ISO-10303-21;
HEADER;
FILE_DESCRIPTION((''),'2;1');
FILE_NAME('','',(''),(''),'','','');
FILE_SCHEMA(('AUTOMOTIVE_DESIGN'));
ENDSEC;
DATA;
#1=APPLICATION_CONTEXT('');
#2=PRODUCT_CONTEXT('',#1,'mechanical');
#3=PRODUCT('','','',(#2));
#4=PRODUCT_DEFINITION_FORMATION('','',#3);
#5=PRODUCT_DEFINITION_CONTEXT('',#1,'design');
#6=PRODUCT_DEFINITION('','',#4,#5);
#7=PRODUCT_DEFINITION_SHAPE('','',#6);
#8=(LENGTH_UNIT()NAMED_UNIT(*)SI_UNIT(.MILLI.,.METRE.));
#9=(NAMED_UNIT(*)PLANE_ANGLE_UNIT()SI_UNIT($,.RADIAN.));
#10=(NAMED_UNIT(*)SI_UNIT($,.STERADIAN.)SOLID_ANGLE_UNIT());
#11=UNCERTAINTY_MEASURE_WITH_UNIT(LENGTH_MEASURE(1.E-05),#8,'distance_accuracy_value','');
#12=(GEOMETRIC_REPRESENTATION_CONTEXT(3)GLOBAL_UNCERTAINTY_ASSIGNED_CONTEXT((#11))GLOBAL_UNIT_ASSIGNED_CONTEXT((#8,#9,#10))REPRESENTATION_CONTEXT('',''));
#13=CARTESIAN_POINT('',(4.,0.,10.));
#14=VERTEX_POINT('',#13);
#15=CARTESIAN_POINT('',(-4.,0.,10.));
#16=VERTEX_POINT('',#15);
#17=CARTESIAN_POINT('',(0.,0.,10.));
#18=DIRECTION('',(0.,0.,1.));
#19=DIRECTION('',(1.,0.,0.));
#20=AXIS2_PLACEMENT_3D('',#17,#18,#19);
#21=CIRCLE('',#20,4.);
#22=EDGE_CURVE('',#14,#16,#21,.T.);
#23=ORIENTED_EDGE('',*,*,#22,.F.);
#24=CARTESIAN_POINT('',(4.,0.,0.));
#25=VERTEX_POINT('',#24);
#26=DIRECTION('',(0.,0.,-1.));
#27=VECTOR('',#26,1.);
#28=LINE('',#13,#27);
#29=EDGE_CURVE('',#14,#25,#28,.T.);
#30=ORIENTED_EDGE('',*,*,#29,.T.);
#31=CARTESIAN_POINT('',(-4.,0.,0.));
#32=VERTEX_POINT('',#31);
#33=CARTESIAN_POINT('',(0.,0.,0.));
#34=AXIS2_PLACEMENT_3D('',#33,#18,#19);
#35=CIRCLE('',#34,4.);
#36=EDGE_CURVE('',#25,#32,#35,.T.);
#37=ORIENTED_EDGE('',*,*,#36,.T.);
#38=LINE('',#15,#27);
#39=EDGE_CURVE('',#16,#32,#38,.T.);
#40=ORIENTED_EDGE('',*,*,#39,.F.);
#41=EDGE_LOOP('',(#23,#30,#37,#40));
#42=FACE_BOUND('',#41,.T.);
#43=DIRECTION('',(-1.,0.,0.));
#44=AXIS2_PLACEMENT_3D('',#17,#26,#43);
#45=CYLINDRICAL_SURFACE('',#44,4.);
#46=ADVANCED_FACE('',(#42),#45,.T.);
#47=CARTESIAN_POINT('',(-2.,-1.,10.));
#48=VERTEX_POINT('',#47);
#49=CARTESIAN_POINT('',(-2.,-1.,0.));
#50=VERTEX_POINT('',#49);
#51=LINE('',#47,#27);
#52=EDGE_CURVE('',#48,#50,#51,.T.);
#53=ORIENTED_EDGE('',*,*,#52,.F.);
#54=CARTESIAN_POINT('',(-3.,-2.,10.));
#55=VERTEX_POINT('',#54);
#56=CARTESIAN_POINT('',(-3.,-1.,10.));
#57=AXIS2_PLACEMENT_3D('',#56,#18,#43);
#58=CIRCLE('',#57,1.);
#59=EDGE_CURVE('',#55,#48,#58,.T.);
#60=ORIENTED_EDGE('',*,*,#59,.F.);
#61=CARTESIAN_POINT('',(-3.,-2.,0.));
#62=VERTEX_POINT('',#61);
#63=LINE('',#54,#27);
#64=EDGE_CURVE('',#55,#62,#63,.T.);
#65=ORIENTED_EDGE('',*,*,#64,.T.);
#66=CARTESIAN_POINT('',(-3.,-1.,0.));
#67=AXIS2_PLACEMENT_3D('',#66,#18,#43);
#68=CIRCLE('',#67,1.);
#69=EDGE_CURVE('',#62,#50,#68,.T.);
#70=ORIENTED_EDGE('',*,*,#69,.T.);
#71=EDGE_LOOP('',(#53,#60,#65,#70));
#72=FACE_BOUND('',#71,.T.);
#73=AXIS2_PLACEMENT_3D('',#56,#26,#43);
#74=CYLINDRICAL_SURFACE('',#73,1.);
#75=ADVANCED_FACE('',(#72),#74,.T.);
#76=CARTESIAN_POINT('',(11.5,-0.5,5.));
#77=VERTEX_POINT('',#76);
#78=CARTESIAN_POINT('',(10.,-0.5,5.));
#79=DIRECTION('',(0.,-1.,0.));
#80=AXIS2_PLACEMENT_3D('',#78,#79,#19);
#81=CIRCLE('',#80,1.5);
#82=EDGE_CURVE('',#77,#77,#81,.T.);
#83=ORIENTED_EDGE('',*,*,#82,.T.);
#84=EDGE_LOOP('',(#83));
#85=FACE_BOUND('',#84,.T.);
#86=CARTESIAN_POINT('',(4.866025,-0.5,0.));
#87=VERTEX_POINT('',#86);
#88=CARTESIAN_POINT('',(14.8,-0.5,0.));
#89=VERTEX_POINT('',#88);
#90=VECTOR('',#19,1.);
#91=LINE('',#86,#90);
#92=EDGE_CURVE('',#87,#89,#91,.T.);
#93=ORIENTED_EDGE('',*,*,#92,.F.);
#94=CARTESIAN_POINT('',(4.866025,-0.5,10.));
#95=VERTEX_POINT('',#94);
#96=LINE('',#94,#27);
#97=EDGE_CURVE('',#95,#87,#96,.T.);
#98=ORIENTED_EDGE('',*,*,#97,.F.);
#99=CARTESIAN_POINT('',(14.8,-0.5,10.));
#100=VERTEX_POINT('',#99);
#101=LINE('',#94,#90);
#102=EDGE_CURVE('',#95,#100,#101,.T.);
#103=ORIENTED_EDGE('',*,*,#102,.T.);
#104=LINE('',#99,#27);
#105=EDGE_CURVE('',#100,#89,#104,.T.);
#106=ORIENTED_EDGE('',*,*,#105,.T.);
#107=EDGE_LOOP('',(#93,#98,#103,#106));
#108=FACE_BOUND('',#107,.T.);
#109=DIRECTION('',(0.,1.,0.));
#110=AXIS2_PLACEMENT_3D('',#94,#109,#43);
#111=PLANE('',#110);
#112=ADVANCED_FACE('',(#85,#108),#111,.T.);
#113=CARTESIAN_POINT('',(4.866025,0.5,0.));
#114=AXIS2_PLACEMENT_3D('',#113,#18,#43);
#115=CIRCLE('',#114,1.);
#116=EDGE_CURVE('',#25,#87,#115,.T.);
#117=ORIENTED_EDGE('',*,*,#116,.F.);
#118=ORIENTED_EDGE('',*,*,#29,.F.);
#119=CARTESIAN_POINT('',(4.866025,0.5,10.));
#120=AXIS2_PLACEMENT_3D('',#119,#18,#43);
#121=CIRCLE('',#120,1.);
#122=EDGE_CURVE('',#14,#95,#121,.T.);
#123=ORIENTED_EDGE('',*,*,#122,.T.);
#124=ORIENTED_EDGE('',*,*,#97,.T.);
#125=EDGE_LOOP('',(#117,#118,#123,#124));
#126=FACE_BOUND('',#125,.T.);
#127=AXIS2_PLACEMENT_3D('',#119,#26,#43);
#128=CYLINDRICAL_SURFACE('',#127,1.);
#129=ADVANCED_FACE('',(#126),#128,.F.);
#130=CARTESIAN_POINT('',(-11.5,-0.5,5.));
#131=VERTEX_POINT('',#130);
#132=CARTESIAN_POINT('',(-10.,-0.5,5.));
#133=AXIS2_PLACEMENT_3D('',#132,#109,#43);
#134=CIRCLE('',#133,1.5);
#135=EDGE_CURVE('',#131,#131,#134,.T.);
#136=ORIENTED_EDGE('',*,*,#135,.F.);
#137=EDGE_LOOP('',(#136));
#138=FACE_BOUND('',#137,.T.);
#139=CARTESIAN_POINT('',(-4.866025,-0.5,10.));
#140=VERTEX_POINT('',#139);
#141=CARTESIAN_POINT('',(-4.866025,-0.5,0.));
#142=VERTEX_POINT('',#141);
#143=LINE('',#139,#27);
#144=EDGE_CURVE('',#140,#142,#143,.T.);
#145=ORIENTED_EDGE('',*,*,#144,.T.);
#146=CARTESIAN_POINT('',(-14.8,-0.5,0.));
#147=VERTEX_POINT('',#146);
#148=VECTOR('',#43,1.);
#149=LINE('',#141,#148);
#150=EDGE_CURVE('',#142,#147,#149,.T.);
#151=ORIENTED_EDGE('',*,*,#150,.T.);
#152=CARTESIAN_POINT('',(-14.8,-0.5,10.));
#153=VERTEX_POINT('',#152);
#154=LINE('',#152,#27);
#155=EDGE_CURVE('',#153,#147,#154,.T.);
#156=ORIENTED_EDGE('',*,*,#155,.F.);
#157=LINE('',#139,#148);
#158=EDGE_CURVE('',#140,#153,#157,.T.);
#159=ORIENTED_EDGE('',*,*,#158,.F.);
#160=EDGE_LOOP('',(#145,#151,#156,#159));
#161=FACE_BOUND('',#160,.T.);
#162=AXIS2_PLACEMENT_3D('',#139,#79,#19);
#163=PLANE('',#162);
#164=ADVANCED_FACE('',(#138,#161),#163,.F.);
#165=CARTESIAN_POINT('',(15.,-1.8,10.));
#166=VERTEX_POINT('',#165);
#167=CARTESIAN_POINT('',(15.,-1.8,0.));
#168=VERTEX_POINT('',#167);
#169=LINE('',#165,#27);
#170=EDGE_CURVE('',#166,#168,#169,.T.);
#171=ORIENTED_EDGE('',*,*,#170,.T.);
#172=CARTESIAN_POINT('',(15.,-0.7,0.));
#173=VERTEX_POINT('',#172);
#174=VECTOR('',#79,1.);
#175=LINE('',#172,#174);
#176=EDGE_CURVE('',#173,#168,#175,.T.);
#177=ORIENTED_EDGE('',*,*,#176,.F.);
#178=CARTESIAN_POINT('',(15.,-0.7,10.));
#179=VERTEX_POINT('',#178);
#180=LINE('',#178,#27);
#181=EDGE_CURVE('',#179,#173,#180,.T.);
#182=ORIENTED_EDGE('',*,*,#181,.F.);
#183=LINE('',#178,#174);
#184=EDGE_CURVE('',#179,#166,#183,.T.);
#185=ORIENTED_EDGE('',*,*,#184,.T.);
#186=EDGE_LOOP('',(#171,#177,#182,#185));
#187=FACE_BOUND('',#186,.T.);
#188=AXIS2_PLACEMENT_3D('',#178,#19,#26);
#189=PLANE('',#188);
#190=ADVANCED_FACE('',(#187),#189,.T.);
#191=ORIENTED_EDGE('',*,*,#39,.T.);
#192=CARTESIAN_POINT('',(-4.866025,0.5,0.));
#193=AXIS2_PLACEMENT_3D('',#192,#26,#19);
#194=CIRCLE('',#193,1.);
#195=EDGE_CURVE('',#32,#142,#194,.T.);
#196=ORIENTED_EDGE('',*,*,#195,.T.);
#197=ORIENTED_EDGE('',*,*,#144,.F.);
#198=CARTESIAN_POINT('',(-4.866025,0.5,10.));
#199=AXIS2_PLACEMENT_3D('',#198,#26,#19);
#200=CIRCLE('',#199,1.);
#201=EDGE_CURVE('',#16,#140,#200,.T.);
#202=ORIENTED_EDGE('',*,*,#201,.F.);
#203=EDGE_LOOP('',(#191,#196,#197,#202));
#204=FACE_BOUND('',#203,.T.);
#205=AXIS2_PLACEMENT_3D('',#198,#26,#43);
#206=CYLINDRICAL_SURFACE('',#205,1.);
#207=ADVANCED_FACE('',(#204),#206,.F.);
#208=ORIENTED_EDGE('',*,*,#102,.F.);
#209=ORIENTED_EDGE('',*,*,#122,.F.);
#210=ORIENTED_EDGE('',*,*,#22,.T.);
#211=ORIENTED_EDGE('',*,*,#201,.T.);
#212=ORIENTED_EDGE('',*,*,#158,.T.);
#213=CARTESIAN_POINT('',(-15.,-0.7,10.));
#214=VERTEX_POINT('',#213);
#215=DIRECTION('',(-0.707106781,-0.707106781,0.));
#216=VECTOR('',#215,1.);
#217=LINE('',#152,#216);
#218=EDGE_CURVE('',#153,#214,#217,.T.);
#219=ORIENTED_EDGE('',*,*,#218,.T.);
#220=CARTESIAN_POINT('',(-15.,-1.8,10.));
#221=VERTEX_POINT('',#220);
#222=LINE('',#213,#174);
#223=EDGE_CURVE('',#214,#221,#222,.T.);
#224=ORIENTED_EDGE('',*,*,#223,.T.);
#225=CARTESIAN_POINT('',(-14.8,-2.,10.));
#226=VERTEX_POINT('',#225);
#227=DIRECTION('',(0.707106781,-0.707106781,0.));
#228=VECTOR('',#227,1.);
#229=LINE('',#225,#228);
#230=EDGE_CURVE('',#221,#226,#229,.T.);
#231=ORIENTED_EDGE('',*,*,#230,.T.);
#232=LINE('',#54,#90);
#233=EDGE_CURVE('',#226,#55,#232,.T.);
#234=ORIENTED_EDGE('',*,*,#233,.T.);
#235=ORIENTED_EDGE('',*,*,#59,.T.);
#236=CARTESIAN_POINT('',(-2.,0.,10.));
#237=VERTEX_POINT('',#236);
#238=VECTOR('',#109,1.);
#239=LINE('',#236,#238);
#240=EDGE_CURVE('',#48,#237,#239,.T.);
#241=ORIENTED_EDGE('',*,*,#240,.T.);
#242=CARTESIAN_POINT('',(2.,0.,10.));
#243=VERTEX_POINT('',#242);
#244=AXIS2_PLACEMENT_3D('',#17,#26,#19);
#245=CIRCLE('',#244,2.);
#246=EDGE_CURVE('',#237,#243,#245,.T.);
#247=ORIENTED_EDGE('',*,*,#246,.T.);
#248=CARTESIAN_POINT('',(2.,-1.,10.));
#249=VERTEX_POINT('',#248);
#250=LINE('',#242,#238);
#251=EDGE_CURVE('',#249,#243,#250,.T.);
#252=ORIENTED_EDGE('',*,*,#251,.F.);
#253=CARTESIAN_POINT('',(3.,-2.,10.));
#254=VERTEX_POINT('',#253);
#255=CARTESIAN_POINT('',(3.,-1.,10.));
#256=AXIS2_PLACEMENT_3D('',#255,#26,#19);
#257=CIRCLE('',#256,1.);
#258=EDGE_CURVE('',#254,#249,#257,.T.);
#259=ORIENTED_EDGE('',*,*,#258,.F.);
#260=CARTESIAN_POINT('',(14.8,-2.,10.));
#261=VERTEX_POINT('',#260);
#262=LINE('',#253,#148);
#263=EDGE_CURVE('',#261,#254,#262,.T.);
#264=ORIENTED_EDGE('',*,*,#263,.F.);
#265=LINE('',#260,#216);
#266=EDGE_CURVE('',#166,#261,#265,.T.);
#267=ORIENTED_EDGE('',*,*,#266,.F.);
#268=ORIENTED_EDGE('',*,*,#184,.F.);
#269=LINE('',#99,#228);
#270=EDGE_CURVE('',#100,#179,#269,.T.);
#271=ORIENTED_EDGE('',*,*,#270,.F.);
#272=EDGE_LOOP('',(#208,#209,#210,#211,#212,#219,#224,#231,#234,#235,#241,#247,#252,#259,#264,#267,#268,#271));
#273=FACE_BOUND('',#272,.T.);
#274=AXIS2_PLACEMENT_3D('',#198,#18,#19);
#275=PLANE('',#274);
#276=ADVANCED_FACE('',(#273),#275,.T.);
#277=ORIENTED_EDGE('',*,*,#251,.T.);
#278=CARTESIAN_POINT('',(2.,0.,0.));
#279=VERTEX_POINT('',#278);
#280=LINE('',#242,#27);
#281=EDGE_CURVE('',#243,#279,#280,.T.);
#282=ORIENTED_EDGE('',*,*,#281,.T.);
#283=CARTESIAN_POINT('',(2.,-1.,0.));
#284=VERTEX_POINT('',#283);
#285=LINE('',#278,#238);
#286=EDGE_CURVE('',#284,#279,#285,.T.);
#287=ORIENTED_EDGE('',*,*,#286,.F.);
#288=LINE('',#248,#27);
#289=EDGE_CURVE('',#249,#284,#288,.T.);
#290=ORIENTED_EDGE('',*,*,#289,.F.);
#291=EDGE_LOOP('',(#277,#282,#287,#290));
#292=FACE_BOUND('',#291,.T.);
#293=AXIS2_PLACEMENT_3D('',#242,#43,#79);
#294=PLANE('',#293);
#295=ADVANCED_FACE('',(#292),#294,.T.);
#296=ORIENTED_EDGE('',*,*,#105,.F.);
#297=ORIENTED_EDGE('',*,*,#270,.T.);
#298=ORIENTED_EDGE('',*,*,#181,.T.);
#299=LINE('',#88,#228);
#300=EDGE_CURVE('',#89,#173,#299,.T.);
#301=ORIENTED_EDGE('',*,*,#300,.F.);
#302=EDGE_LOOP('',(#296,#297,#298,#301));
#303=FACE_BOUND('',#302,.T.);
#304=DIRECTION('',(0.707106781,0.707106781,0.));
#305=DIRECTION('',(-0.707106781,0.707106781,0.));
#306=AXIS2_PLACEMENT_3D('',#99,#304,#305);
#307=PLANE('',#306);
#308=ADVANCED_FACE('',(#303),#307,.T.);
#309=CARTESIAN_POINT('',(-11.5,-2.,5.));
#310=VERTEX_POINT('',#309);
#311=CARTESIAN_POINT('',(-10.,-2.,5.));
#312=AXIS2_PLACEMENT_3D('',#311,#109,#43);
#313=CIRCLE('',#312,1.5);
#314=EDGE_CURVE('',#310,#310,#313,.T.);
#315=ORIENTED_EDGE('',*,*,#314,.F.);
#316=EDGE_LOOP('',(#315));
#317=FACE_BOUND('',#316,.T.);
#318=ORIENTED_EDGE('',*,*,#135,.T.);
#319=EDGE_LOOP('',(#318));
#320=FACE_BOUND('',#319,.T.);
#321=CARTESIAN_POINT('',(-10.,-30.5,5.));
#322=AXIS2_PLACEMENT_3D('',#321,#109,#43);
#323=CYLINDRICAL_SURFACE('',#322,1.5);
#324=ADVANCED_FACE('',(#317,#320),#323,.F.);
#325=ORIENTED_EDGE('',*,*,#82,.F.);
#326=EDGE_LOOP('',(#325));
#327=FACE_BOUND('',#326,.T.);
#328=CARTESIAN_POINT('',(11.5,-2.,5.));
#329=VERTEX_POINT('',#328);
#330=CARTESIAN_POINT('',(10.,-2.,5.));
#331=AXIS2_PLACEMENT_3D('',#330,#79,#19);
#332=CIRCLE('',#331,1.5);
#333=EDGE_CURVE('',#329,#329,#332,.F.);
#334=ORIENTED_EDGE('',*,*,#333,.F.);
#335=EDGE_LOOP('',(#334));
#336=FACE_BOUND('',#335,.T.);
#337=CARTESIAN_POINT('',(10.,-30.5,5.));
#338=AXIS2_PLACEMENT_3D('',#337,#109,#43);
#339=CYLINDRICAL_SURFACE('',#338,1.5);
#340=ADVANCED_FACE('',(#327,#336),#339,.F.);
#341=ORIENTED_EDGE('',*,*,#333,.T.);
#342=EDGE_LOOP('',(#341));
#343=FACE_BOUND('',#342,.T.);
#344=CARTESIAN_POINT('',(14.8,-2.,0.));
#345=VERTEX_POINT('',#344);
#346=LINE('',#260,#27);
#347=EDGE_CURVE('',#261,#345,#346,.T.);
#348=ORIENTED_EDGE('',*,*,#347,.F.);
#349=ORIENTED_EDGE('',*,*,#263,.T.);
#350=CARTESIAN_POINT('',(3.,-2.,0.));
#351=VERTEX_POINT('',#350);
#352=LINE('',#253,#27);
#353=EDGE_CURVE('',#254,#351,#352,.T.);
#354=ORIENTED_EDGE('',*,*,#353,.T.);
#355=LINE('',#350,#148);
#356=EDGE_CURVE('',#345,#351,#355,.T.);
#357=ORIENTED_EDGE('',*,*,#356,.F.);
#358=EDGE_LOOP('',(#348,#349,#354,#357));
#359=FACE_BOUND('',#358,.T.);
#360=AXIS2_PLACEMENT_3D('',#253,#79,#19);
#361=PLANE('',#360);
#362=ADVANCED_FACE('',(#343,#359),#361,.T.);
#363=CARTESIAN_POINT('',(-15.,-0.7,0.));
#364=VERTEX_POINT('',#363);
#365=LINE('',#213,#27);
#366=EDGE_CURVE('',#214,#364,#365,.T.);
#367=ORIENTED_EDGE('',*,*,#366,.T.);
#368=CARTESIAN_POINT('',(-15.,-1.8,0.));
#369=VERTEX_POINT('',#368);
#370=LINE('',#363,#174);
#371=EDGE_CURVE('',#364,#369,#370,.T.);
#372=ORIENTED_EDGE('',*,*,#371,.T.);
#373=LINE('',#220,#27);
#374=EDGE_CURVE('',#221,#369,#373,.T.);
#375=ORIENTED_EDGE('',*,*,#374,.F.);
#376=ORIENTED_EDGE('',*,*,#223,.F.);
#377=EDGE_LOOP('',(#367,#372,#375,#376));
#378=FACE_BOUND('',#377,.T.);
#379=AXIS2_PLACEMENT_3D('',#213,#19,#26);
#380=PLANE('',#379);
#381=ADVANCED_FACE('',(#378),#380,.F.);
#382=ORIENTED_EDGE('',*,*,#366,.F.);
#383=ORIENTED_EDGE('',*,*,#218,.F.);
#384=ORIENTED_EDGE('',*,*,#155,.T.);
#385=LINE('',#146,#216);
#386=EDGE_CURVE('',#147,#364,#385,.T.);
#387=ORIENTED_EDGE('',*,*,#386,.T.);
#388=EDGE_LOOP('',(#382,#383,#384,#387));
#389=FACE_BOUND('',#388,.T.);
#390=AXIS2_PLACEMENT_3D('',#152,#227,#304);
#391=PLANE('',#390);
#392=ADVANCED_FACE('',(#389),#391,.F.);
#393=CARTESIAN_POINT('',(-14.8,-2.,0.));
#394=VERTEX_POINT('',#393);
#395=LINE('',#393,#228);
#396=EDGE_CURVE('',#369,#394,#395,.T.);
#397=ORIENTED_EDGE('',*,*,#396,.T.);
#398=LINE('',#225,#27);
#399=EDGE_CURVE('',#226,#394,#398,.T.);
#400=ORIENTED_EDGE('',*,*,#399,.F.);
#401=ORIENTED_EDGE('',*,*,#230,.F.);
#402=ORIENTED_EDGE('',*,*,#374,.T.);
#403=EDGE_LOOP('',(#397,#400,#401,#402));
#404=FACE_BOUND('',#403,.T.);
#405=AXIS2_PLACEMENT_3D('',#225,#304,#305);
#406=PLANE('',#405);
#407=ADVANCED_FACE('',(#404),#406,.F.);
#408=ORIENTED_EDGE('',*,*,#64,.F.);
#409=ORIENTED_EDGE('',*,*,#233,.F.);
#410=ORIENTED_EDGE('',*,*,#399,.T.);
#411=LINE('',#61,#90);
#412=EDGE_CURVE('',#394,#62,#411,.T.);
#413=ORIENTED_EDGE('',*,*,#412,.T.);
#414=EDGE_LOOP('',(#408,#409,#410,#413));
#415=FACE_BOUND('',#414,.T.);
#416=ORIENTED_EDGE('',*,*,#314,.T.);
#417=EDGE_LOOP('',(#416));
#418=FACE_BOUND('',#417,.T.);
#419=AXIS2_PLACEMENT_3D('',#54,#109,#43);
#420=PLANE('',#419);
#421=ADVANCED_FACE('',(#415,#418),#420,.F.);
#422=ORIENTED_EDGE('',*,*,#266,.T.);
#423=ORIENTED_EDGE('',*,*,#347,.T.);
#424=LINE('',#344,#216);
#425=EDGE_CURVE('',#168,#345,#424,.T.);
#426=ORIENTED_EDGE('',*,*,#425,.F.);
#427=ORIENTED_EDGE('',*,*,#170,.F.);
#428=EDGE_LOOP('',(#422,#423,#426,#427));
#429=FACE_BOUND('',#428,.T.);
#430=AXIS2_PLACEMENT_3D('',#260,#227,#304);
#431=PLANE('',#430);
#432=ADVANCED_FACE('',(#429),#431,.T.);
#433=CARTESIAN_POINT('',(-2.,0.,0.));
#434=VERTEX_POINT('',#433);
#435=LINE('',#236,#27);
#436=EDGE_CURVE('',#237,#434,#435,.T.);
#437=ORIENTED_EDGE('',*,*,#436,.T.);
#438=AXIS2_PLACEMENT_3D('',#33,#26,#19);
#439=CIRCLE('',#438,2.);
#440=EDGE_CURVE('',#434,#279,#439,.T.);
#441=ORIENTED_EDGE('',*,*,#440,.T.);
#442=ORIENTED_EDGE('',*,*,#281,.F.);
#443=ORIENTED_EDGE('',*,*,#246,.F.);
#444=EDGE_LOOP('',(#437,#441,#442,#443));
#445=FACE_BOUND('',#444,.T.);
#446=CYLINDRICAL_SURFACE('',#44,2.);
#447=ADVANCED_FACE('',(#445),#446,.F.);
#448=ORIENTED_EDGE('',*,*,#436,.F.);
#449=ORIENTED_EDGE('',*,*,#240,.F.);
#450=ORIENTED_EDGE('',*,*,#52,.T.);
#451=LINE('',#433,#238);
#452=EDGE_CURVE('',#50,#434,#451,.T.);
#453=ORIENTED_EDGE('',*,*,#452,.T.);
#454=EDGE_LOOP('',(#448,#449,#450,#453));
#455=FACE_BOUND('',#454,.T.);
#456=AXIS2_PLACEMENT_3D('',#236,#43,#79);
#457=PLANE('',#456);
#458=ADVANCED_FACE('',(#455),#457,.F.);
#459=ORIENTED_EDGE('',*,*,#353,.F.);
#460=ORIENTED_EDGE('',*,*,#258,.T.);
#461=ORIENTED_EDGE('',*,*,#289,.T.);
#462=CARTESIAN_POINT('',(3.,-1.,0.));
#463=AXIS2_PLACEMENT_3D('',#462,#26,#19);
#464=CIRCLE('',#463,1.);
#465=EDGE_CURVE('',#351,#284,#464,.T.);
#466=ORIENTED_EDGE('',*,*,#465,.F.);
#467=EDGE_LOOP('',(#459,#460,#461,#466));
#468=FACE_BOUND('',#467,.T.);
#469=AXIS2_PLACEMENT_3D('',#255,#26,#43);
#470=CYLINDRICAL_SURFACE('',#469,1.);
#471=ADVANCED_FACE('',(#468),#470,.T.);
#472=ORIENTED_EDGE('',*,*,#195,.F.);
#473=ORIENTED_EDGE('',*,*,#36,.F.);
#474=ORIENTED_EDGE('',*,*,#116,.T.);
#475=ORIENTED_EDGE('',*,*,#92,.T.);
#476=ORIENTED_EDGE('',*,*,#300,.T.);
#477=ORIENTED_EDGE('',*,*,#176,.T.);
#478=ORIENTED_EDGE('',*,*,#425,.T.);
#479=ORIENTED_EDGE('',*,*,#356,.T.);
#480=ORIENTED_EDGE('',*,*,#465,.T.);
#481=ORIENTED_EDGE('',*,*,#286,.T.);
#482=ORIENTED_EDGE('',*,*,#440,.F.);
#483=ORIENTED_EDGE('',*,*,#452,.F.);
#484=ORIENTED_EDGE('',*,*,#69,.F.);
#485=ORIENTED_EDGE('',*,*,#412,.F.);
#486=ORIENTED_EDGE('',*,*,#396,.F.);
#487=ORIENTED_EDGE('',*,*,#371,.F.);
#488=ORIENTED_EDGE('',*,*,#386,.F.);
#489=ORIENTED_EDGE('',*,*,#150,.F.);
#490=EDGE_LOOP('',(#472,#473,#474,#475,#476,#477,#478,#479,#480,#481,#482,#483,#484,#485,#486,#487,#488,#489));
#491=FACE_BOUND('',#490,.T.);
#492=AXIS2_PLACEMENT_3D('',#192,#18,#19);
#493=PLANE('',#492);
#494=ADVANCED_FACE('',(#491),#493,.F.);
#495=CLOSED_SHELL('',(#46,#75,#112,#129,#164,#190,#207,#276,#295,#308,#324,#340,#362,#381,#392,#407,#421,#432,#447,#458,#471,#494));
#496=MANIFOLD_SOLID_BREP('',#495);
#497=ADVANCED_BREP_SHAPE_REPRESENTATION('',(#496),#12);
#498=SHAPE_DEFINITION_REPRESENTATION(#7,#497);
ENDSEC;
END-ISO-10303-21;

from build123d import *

# Parameters (mm, degrees)
BOSS_EXTRUDE1_DEPTH = 10
SKETCH2_R           = 1.5
CUT_EXTRUDE1_DEPTH  = 30


with BuildPart() as part:
    # Sketch1 → Boss-Extrude1 (new body)
    with BuildSketch(Plane.XY):
        with BuildLine():
            Line((-3, -2), (-14.8, -2))
            Line((-14.8, -2), (-15, -1.8))
            Line((-15, -1.8), (-15, -0.7))
            Line((-15, -0.7), (-14.8, -0.5))
            Line((-14.8, -0.5), (-4.866025404, -0.5))
            ThreePointArc((-4.866025404, -0.5), (-4.366025404, -0.366025404), (-4, 0))
            ThreePointArc((-4, 0), (-2.828427125, 2.828427125), (0, 4))
            Line((0, 4), (0, 2))
            ThreePointArc((0, 2), (-1.414213562, 1.414213562), (-2, 0))
            Line((-2, 0), (-2, -1))
            ThreePointArc((-2, -1), (-2.292893219, -1.707106781), (-3, -2))
        make_face()
    boss_extrude1 = extrude(amount=BOSS_EXTRUDE1_DEPTH)

    # Sketch2 → Cut-Extrude1 (cut)
    with BuildSketch(Plane(origin=(0, -0.5, 0), x_dir=(1, 0, 0), z_dir=(0, 1, 0))):
        with Locations(Location((-10, -5, 0), (0, 0, 180))):
            Circle(SKETCH2_R)
    cut_extrude1 = extrude(amount=-CUT_EXTRUDE1_DEPTH, mode=Mode.SUBTRACT)

    # Mirror1: Boss-Extrude1, Cut-Extrude1 across plane
    add(boss_extrude1.mirror(Plane(origin=(0, 2, 10), x_dir=(0, 0, 1), z_dir=(-1, 0, 0))))
    add(cut_extrude1.mirror(Plane(origin=(0, 2, 10), x_dir=(0, 0, 1), z_dir=(-1, 0, 0))), mode=Mode.SUBTRACT)


solid = part.part
